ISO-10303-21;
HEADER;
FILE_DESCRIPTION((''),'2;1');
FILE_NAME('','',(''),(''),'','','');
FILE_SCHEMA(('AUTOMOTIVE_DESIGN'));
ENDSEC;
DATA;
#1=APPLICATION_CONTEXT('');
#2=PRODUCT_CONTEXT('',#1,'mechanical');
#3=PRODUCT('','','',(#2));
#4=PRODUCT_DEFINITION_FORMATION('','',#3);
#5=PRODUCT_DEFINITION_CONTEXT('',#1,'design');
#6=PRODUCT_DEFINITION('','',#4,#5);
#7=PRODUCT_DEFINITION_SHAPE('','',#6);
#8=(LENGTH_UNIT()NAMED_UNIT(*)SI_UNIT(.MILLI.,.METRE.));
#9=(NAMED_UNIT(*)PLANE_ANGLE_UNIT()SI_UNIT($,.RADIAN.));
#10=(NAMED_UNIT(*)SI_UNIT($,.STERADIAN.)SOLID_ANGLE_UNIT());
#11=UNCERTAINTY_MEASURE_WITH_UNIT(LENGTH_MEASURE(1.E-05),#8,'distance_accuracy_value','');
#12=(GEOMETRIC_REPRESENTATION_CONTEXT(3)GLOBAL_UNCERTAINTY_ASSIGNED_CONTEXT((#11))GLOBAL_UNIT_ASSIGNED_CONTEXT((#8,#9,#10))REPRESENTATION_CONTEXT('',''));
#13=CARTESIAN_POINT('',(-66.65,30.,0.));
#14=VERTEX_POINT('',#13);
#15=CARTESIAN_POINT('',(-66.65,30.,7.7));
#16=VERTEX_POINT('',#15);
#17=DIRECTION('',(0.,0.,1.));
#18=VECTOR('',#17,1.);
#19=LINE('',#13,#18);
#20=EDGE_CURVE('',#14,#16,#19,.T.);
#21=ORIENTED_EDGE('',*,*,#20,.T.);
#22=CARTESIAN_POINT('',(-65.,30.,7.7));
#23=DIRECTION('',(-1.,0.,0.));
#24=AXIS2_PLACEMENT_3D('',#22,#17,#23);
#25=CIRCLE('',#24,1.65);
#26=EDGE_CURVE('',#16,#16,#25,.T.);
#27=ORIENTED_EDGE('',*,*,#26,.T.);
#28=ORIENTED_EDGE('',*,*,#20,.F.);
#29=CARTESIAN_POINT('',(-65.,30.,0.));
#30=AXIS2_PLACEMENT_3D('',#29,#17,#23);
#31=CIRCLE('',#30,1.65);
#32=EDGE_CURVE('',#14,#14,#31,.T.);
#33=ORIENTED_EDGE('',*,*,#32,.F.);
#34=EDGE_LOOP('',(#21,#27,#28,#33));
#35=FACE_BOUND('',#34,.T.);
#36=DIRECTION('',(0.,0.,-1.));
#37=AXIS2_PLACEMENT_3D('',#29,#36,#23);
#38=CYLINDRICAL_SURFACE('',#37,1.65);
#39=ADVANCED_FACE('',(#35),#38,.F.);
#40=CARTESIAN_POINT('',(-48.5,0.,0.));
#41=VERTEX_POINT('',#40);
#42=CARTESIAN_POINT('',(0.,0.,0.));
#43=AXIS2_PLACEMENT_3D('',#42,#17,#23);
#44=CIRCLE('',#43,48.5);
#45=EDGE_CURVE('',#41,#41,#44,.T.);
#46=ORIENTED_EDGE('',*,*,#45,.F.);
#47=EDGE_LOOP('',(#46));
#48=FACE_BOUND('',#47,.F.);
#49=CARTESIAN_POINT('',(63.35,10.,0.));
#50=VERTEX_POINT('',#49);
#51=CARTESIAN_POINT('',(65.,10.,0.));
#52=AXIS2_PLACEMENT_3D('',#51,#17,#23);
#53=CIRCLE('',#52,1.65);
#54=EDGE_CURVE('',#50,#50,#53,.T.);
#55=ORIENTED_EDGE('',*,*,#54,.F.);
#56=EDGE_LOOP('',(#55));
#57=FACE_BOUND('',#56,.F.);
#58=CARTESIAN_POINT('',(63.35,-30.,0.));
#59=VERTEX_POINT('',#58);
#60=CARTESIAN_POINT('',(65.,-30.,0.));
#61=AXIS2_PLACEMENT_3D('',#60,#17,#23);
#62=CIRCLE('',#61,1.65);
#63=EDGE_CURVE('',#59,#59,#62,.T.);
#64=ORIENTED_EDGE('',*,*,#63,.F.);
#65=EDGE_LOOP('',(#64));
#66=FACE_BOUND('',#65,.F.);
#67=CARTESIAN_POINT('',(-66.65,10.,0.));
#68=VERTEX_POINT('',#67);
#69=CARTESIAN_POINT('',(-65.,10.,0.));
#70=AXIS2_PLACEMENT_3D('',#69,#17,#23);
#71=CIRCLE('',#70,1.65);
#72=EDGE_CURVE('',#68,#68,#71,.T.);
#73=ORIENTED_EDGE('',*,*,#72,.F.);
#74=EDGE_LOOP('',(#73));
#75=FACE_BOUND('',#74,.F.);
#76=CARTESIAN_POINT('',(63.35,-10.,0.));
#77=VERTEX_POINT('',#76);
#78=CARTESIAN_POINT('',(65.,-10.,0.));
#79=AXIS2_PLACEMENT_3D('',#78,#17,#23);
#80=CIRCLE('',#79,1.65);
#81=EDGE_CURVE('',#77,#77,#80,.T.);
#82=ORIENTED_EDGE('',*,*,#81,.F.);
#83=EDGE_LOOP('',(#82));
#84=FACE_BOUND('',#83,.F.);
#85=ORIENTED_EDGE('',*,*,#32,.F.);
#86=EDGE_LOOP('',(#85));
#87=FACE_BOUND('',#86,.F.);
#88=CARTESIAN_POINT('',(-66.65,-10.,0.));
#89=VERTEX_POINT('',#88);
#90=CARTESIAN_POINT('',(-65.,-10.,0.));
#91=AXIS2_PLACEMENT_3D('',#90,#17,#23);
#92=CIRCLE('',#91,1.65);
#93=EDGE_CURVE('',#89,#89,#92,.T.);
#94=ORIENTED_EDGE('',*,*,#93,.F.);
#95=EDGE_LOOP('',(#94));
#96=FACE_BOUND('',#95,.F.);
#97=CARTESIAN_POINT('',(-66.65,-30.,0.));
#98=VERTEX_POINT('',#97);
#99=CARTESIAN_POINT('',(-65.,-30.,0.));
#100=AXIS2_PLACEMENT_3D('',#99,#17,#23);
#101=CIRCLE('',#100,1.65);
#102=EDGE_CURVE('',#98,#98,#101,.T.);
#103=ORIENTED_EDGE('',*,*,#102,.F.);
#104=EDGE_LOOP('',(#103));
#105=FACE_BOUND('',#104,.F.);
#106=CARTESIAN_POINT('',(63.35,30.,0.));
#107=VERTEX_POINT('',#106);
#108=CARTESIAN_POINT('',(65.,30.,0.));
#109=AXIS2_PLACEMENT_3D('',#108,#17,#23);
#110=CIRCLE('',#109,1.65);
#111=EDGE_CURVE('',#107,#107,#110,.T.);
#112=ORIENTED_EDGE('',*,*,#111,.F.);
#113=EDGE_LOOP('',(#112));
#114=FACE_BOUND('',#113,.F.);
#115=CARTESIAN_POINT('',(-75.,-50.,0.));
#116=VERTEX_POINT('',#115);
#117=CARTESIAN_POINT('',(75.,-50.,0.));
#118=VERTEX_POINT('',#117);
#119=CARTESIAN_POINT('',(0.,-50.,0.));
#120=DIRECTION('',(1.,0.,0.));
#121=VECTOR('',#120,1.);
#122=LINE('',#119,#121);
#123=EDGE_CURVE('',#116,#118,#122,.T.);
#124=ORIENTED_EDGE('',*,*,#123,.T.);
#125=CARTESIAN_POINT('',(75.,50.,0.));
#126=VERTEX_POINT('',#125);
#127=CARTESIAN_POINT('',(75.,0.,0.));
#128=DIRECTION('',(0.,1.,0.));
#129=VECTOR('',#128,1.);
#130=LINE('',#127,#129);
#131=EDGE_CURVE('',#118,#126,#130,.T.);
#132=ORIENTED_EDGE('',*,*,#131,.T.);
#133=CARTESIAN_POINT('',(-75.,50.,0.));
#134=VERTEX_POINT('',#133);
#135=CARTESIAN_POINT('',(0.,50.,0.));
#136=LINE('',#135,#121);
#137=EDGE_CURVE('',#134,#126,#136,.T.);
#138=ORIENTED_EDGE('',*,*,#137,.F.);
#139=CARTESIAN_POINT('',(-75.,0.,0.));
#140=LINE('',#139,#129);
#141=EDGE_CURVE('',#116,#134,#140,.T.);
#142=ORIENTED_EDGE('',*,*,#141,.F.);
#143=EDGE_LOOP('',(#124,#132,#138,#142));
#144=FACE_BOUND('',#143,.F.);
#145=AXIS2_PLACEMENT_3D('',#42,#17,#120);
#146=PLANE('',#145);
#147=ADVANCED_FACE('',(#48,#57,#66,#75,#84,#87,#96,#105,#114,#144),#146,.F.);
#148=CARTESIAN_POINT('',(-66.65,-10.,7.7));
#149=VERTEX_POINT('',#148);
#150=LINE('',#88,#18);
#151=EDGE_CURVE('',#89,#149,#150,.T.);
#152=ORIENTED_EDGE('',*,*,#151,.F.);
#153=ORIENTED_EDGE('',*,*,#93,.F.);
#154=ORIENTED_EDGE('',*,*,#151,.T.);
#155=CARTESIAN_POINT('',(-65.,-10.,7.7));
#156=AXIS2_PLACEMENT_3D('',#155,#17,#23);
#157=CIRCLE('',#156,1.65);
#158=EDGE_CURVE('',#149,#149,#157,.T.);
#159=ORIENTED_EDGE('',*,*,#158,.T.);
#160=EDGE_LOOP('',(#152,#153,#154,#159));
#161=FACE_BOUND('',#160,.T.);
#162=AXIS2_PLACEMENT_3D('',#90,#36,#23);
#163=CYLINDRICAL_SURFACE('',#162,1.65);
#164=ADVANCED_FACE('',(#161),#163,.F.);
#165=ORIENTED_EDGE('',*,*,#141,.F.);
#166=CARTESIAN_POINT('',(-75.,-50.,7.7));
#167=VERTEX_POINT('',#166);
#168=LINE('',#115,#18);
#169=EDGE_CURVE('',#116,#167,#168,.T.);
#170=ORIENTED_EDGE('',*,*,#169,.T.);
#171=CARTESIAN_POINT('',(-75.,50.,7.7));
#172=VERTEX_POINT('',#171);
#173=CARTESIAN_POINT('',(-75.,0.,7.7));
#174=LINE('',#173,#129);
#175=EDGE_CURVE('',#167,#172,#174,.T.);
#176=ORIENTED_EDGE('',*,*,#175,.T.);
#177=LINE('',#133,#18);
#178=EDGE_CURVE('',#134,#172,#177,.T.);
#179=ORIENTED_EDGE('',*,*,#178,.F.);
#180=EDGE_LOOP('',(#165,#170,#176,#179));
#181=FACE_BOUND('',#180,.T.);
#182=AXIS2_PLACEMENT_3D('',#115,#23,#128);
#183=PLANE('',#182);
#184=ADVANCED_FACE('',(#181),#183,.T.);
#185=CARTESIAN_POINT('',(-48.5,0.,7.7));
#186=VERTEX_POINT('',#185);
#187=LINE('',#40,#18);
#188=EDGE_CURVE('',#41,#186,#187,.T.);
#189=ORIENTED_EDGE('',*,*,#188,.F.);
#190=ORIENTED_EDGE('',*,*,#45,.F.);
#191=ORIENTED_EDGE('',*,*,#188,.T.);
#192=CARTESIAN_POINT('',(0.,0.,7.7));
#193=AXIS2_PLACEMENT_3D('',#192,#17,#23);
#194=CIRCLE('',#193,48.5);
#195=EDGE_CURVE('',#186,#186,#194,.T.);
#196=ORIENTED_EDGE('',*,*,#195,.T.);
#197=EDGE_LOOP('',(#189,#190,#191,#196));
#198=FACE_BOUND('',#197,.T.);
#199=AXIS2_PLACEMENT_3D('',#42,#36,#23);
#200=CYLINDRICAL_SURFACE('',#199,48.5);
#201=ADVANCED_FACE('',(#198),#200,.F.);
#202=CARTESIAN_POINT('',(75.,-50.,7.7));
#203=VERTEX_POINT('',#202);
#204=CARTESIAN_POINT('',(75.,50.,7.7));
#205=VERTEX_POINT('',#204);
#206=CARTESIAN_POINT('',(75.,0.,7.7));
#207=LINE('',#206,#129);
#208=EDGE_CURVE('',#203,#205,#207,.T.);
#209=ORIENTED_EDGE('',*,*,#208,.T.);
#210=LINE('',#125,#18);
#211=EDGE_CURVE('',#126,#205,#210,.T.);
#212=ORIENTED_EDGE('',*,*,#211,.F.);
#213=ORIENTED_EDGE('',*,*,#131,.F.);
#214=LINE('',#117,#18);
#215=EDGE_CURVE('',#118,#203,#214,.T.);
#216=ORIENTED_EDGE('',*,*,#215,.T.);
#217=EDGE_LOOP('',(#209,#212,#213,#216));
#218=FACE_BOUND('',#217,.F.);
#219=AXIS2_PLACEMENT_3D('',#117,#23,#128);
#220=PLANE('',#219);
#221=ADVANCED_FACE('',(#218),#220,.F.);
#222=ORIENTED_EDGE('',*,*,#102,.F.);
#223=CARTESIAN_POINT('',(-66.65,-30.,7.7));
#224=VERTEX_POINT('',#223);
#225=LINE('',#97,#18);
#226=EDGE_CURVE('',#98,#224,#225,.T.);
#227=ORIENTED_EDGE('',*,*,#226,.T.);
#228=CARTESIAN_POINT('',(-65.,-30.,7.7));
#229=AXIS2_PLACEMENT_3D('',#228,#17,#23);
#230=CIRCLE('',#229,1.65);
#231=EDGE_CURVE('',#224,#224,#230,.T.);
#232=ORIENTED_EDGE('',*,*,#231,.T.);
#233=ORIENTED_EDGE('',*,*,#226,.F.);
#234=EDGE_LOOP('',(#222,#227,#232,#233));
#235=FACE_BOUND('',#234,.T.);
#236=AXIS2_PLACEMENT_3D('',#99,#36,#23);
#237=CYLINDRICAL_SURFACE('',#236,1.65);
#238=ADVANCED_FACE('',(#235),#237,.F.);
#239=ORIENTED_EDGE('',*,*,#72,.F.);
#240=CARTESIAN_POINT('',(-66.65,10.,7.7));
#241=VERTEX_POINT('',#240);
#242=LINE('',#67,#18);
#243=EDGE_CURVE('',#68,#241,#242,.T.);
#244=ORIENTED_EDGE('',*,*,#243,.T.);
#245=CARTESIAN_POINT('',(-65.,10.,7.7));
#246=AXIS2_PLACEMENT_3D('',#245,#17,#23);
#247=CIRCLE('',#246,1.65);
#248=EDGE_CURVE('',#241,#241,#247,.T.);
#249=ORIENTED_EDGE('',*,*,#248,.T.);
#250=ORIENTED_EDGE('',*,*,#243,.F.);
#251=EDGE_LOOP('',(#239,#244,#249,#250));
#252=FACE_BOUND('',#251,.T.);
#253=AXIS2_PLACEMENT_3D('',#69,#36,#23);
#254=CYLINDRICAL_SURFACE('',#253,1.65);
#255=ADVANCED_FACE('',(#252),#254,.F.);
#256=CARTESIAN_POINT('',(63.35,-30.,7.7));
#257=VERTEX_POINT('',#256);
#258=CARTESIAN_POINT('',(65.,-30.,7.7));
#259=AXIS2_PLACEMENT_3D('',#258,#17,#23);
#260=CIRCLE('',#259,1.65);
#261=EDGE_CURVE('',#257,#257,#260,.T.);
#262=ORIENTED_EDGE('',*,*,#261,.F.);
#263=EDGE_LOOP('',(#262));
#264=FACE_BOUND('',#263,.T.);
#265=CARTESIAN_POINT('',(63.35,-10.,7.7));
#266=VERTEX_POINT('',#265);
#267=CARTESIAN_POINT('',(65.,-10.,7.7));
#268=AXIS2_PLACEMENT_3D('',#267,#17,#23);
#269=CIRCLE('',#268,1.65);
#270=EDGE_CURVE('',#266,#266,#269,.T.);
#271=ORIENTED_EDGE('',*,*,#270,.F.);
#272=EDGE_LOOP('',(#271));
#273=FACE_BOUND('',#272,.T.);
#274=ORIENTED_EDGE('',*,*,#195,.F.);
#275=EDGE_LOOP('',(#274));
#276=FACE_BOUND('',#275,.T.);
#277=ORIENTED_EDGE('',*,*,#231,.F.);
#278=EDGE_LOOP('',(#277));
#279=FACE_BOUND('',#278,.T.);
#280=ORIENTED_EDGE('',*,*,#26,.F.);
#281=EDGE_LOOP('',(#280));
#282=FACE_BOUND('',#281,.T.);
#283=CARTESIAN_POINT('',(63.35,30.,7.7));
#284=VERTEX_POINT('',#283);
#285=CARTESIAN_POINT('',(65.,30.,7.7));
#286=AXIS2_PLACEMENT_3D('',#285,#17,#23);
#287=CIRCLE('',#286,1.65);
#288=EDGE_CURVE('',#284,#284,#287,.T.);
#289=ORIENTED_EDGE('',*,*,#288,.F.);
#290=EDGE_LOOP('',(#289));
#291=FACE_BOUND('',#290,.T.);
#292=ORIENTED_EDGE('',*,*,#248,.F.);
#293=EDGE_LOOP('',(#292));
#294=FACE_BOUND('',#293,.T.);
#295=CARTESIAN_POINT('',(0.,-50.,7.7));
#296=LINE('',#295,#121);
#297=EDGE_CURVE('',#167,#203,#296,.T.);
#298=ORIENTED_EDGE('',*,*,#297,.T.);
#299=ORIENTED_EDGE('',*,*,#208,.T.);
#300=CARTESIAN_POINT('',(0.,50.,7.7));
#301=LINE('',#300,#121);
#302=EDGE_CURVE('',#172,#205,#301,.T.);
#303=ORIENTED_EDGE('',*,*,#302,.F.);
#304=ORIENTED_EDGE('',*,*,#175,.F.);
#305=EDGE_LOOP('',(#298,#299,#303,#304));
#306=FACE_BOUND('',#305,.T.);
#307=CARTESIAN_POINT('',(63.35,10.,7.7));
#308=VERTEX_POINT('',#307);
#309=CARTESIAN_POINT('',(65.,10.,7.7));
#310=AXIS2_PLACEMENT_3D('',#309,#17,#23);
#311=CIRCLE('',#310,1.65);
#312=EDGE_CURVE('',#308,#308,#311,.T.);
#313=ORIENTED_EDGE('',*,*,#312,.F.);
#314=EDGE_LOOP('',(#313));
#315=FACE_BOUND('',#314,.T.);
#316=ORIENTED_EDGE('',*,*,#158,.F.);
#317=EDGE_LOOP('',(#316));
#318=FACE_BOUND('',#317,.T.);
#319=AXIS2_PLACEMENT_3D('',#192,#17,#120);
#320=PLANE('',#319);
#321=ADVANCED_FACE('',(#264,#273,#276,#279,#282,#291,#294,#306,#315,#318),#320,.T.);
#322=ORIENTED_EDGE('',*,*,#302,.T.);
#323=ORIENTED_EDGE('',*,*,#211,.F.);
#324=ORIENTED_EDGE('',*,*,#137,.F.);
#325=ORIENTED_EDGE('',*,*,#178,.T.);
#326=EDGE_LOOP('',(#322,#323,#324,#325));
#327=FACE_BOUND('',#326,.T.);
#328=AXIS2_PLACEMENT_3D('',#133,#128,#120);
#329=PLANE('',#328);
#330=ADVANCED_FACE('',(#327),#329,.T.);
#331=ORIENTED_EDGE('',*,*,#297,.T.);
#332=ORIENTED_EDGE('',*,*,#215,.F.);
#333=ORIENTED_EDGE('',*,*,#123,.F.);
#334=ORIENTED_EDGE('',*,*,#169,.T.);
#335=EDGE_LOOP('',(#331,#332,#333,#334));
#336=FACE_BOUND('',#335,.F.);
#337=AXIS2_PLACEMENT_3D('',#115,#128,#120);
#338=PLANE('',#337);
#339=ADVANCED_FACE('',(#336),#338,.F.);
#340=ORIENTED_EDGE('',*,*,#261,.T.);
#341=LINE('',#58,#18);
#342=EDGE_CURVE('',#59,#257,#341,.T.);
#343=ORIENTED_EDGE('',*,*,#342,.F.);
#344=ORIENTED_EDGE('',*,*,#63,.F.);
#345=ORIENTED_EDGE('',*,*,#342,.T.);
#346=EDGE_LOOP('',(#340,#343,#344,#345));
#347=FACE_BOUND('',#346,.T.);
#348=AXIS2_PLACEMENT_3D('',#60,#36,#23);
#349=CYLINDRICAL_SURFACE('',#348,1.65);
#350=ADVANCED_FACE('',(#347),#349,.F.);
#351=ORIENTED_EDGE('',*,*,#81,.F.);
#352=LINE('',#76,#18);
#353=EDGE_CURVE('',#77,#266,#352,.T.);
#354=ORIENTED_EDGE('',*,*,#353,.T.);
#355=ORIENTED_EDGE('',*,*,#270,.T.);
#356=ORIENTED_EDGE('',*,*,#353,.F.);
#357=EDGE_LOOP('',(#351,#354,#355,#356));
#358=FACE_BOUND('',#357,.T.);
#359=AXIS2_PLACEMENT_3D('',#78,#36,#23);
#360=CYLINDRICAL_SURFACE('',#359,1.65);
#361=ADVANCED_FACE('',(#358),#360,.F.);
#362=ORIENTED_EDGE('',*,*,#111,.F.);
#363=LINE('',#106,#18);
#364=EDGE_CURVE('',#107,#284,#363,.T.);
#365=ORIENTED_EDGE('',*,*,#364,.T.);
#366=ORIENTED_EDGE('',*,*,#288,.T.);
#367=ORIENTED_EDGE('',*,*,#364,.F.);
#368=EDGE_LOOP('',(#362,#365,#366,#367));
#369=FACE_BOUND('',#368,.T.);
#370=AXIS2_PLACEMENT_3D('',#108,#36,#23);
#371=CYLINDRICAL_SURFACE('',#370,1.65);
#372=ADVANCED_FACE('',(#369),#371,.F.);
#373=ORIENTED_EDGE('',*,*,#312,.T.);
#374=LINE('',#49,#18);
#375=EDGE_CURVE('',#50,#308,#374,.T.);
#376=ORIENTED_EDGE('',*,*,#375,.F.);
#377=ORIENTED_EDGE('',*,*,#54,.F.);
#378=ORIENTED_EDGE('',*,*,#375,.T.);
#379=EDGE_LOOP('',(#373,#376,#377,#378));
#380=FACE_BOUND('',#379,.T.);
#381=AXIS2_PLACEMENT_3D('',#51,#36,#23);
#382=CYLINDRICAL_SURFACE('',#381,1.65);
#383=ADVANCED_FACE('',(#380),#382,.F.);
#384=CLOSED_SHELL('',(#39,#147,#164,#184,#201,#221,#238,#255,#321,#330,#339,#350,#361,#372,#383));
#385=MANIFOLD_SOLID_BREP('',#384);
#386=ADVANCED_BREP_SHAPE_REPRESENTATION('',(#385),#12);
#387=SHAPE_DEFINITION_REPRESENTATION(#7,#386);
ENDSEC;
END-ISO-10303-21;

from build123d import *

# Parameters (mm, degrees)
SKETCH_1_W      = 150
SKETCH_1_H      = 100
SKETCH_1_R      = 1.65
SKETCH_1_R_2    = 48.5
EXTRUDE_1_DEPTH = 7.7


with BuildPart() as part:
    # 草图1 → 凸台-拉伸1 (new body)
    with BuildSketch(Plane.XY):
        Rectangle(SKETCH_1_W, SKETCH_1_H)
        with Locations(Location((-65, 30, 0), (0, 0, 180))):
            Circle(SKETCH_1_R, mode=Mode.SUBTRACT)
        with Locations(Location((-65, 10, 0), (0, 0, 180))):
            Circle(SKETCH_1_R, mode=Mode.SUBTRACT)
        with Locations(Location((-65, -10, 0), (0, 0, 180))):
            Circle(SKETCH_1_R, mode=Mode.SUBTRACT)
        with Locations(Location((-65, -30, 0), (0, 0, 180))):
            Circle(SKETCH_1_R, mode=Mode.SUBTRACT)
        with Locations(Location((65, -30, 0), (0, 0, 180))):
            Circle(SKETCH_1_R, mode=Mode.SUBTRACT)
        with Locations(Location((65, -10, 0), (0, 0, 180))):
            Circle(SKETCH_1_R, mode=Mode.SUBTRACT)
        with Locations(Location((65, 10, 0), (0, 0, 180))):
            Circle(SKETCH_1_R, mode=Mode.SUBTRACT)
        with Locations(Location((65, 30, 0), (0, 0, 180))):
            Circle(SKETCH_1_R, mode=Mode.SUBTRACT)
        with Locations(Location((0, 0, 0), (0, 0, 180))):
            Circle(SKETCH_1_R_2, mode=Mode.SUBTRACT)
    extrude(amount=EXTRUDE_1_DEPTH)


solid = part.part
